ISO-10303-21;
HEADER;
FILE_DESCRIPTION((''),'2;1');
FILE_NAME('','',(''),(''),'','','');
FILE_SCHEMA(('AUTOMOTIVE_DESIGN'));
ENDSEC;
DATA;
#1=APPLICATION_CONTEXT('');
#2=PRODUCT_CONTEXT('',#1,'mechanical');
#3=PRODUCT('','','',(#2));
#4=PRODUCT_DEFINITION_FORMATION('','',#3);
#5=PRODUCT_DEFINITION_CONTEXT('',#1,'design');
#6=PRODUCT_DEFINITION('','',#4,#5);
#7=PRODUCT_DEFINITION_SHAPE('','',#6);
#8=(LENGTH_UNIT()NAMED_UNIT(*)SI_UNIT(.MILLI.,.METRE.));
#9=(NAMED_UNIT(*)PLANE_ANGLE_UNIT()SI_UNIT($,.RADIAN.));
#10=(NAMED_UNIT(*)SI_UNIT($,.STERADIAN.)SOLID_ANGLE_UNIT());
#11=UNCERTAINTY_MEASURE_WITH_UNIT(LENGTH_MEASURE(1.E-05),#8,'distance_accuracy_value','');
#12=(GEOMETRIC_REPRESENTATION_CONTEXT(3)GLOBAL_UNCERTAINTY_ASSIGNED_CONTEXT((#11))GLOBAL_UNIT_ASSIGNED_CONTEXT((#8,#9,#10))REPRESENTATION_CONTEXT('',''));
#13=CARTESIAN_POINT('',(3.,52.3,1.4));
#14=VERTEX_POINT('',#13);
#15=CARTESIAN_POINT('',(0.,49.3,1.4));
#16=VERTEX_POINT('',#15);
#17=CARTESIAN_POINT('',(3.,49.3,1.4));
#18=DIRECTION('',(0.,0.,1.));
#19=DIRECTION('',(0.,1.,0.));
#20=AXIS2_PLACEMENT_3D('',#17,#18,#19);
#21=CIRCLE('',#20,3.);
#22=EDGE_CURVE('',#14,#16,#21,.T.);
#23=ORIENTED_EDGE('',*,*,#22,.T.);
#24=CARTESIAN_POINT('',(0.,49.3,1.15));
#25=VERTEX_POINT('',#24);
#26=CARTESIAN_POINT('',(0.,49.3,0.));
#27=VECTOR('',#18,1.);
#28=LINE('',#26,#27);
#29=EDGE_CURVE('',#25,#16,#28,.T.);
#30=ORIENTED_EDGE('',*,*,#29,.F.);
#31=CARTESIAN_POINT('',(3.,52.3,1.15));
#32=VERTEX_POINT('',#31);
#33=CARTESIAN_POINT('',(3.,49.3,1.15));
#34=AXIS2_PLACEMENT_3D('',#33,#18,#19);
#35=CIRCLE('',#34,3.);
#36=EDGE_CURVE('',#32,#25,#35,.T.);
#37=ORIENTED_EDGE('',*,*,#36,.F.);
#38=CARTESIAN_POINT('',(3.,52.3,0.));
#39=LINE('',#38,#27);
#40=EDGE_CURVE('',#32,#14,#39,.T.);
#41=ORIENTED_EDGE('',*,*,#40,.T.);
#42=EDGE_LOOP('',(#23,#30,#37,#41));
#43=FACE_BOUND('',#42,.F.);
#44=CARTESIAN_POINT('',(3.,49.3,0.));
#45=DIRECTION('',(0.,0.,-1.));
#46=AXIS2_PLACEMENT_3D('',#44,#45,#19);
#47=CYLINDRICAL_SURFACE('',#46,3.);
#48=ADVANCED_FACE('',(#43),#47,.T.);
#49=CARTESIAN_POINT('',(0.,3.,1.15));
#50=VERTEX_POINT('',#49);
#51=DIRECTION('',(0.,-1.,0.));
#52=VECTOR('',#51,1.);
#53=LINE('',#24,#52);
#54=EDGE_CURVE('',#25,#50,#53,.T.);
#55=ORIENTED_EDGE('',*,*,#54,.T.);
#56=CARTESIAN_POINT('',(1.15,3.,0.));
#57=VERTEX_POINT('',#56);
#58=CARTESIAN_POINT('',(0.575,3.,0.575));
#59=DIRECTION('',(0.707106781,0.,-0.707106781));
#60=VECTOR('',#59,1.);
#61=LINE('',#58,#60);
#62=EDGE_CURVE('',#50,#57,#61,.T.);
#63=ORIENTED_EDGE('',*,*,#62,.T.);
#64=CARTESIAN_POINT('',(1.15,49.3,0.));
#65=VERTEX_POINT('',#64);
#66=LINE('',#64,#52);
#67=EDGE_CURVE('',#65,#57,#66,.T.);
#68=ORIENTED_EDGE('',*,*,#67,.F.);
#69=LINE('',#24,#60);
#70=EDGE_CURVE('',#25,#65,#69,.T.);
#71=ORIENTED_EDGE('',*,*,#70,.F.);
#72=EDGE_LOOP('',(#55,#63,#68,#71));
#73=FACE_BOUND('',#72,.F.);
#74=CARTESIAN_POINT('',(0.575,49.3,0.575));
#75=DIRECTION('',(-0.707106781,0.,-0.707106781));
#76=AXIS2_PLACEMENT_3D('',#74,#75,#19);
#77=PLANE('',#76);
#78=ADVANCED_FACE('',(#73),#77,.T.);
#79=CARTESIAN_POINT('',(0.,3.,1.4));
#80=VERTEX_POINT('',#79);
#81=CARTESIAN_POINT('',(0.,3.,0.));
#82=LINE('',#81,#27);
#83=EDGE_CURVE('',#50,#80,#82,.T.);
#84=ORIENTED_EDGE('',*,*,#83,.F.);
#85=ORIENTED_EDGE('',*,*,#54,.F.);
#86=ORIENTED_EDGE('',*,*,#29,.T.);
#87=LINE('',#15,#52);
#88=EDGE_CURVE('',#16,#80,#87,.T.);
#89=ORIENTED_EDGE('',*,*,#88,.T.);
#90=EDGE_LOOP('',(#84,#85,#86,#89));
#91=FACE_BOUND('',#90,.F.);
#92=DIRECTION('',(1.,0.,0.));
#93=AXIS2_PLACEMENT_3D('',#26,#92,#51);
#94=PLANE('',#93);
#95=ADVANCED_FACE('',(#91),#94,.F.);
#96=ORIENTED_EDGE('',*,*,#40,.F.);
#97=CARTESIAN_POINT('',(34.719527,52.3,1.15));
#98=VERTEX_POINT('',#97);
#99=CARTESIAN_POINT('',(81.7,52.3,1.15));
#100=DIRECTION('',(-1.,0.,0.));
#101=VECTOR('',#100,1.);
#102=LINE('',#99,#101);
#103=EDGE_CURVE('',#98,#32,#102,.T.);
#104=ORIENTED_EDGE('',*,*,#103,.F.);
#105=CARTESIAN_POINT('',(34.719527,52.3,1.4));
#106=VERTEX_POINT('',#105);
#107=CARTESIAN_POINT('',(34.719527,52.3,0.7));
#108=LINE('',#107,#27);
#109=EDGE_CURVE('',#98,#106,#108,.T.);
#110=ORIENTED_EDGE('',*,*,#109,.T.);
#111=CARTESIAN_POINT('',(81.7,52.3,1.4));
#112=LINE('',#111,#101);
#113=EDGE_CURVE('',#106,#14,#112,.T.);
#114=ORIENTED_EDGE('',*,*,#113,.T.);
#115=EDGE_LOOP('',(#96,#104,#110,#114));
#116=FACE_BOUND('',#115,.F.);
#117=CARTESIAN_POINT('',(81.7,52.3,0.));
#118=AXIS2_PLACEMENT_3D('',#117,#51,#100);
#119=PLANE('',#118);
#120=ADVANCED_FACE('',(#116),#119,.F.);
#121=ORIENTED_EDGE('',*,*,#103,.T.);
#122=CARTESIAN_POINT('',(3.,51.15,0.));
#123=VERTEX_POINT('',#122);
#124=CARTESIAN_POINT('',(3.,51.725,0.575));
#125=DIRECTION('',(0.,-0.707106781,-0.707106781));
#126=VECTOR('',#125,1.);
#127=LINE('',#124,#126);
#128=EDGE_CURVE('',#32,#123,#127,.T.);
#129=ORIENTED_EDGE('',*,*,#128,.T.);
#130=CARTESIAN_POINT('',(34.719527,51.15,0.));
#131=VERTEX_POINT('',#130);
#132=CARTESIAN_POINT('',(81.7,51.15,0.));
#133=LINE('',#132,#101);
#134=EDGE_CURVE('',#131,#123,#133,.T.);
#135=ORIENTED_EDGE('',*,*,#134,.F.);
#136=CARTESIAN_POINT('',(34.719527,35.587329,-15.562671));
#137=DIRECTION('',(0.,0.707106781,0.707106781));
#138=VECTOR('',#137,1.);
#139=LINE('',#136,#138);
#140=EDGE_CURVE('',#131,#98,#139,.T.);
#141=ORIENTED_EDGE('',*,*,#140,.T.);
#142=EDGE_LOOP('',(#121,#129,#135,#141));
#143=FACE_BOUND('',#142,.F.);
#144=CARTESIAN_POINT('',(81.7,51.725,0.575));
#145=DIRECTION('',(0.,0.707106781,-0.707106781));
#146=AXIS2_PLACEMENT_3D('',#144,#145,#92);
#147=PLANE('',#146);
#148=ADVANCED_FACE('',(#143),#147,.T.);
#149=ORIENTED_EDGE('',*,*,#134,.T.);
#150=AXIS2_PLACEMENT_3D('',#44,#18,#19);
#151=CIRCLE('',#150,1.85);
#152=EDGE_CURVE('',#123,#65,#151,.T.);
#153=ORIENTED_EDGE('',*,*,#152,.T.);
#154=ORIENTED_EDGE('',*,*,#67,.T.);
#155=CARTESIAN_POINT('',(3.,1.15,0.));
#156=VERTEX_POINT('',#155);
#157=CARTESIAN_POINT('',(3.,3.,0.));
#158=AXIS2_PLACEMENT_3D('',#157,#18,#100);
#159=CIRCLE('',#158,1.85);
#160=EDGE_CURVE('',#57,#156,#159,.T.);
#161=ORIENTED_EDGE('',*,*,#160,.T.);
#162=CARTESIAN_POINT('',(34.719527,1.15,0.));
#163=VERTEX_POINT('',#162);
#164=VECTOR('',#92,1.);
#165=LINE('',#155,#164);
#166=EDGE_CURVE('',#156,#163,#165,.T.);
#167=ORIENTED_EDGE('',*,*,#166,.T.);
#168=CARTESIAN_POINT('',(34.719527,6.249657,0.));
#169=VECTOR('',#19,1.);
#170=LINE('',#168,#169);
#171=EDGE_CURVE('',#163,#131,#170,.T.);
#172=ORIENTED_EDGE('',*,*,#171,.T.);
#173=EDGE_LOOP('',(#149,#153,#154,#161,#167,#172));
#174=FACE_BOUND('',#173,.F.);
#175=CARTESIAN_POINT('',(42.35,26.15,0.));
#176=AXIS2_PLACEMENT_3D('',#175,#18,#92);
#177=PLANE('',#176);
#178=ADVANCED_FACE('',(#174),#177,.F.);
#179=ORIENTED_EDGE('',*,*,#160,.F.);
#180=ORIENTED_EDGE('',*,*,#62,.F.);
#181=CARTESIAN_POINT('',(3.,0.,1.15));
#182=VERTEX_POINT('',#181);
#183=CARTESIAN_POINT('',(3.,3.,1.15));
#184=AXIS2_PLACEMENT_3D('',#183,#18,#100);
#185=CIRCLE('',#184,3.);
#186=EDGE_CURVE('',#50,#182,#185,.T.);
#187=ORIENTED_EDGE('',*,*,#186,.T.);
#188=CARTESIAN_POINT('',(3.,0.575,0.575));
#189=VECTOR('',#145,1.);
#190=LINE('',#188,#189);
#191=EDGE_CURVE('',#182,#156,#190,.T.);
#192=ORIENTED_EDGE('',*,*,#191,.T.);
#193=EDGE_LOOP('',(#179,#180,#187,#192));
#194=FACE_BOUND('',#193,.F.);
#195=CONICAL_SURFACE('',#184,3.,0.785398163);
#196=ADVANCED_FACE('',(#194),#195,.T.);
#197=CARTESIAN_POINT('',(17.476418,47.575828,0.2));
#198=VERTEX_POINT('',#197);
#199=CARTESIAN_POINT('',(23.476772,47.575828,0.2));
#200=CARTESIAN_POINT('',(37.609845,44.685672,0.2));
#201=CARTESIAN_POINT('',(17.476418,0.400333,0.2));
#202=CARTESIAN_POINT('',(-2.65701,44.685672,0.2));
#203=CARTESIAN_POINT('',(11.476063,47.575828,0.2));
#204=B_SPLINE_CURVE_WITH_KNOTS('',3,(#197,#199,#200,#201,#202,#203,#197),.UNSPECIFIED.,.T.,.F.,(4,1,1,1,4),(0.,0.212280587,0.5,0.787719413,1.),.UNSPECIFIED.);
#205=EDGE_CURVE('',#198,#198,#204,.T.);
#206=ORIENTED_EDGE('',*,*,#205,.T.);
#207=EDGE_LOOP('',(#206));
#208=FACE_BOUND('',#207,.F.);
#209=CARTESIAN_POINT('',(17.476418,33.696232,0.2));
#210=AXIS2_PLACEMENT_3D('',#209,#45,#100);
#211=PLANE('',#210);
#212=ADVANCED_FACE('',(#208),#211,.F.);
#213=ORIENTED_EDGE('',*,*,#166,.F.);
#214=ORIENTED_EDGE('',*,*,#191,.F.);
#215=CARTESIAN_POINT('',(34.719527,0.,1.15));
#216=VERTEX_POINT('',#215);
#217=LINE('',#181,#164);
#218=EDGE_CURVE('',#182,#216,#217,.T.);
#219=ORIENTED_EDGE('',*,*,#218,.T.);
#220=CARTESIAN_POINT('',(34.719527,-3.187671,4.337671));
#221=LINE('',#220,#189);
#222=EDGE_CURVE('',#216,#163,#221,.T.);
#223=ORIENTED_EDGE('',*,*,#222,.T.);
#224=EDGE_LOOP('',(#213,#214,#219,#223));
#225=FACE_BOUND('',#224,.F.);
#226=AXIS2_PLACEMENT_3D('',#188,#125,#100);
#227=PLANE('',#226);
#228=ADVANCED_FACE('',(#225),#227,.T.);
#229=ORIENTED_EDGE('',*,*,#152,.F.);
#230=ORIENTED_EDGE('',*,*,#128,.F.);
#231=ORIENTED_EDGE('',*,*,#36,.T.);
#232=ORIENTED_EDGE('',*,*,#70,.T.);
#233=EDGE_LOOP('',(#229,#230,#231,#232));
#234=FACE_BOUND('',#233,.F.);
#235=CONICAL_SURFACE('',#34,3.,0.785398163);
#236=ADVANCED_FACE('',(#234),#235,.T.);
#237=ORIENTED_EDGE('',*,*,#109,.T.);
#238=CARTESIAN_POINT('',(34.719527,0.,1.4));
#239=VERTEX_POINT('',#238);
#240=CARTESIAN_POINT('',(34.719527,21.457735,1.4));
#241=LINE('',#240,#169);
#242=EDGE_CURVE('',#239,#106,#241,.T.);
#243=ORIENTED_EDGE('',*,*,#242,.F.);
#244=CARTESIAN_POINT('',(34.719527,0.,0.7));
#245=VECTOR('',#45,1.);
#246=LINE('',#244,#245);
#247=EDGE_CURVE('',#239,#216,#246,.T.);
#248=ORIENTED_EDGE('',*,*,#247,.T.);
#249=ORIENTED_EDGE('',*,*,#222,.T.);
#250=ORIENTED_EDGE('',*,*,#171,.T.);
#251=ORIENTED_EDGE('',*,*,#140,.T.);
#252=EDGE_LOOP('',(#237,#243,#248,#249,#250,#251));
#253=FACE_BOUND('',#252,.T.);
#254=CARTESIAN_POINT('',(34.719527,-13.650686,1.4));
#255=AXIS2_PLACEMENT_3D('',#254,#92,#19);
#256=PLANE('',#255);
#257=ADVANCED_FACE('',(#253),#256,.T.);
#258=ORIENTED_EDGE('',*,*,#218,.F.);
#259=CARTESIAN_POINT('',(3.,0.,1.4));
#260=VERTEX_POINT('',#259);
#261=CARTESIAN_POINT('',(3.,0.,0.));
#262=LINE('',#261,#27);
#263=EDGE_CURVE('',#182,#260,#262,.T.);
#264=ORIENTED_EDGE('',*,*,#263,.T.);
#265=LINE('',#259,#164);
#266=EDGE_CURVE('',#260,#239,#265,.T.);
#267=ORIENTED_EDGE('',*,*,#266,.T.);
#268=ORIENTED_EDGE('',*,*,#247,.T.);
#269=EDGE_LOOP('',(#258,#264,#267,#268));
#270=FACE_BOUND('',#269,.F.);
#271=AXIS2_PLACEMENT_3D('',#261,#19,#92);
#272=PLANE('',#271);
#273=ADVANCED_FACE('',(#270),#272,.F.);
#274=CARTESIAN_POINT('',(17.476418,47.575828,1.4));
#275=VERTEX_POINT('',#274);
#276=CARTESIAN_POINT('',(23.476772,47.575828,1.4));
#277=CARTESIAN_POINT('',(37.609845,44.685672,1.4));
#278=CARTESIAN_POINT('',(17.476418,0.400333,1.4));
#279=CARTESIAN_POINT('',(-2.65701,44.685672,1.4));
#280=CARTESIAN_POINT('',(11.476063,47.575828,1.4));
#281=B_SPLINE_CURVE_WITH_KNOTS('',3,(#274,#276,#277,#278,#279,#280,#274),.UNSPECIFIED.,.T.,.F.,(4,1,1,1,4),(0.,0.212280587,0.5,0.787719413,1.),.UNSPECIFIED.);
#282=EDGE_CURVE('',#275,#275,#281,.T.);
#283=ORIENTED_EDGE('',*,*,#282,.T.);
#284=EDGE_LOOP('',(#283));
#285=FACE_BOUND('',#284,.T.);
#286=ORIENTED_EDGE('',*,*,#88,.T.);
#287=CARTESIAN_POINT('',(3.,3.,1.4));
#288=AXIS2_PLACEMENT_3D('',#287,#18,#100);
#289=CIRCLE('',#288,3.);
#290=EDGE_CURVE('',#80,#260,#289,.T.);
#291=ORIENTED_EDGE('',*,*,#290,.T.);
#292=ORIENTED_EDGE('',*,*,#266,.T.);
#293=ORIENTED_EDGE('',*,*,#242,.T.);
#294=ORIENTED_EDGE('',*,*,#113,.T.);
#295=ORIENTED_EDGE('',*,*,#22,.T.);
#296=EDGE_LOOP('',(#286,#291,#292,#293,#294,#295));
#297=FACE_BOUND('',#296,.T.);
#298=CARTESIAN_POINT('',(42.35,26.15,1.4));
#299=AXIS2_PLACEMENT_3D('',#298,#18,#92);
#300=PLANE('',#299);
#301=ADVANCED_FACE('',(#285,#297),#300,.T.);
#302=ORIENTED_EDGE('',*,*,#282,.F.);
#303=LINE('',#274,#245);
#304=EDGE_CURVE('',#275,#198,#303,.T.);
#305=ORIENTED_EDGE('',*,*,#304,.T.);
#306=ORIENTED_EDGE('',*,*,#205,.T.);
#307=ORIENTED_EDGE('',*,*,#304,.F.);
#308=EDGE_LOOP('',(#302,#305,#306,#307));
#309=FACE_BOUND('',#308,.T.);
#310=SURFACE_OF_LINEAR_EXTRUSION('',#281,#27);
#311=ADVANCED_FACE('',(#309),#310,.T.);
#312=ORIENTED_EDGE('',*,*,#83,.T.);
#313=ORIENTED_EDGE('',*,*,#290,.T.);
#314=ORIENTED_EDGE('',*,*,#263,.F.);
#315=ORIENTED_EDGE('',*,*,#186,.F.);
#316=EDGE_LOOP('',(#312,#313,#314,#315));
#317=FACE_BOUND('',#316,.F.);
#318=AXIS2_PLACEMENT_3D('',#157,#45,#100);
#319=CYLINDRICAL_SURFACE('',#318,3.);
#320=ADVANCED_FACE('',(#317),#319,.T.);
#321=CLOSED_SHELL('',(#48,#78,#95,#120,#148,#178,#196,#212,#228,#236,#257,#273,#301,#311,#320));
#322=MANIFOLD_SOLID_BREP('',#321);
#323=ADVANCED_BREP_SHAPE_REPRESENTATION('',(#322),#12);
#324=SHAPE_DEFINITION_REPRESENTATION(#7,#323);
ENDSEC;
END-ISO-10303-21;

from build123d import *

# Parameters (mm, degrees)
F1_DEPTH = 1.4
F3_SIZE  = 1.15
F4_DEPTH = 1.2
F5_W     = 60.5649575591
F5_H     = 70.2168419957
F6_DEPTH = 25


with BuildPart() as f1:
    # F0 (on Top) → F1 (new body)
    with BuildSketch(Plane.XY):
        with BuildLine():
            ThreePointArc((0, 3), (0.8786796564, 0.8786796564), (3, 0))
            Line((3, 0), (81.7, 0))
            ThreePointArc((81.7, 0), (83.8213203436, 0.8786796564), (84.7, 3))
            Line((84.7, 3), (84.7, 49.3))
            ThreePointArc((84.7, 49.3), (83.8213203436, 51.4213203436), (81.7, 52.3))
            Line((81.7, 52.3), (3, 52.3))
            ThreePointArc((3, 52.3), (0.8786796564, 51.4213203436), (0, 49.3))
            Line((0, 49.3), (0, 3))
        make_face()
    extrude(amount=F1_DEPTH)

    # F3
    f3_edges = [f1.edges().sort_by_distance(p)[0] for p in [
        (42.35, 0, 0),
    ]]
    chamfer(f3_edges, length=F3_SIZE)

    # F2 (on face) → F4 (cut)
    with BuildSketch(Plane.XY.offset(1.4)):
        with BuildLine():
            add(Edge.make_bspline(
                [(17.4764175909, 47.5758282482), (23.4767717635, 47.5758282482), (37.6098450136, 44.6856723634), (17.4764175909, 0.4003325541), (-2.6570098318, 44.6856723634), (11.4760634183, 47.5758282482), (17.4764175909, 47.5758282482)],
                knots=[0, 0, 0, 0, 0.212280587, 0.5, 0.787719413, 1, 1, 1, 1], degree=3))
        make_face()
    extrude(amount=-F4_DEPTH, mode=Mode.SUBTRACT)

    # F5 (on face) → F6 (cut)
    with BuildSketch(Plane.XY.offset(1.4)):
        with Locations((65.0020055473, 21.4577354491)):
            Rectangle(F5_W, F5_H)
    extrude(amount=-F6_DEPTH, mode=Mode.SUBTRACT)


solid = f1.part
